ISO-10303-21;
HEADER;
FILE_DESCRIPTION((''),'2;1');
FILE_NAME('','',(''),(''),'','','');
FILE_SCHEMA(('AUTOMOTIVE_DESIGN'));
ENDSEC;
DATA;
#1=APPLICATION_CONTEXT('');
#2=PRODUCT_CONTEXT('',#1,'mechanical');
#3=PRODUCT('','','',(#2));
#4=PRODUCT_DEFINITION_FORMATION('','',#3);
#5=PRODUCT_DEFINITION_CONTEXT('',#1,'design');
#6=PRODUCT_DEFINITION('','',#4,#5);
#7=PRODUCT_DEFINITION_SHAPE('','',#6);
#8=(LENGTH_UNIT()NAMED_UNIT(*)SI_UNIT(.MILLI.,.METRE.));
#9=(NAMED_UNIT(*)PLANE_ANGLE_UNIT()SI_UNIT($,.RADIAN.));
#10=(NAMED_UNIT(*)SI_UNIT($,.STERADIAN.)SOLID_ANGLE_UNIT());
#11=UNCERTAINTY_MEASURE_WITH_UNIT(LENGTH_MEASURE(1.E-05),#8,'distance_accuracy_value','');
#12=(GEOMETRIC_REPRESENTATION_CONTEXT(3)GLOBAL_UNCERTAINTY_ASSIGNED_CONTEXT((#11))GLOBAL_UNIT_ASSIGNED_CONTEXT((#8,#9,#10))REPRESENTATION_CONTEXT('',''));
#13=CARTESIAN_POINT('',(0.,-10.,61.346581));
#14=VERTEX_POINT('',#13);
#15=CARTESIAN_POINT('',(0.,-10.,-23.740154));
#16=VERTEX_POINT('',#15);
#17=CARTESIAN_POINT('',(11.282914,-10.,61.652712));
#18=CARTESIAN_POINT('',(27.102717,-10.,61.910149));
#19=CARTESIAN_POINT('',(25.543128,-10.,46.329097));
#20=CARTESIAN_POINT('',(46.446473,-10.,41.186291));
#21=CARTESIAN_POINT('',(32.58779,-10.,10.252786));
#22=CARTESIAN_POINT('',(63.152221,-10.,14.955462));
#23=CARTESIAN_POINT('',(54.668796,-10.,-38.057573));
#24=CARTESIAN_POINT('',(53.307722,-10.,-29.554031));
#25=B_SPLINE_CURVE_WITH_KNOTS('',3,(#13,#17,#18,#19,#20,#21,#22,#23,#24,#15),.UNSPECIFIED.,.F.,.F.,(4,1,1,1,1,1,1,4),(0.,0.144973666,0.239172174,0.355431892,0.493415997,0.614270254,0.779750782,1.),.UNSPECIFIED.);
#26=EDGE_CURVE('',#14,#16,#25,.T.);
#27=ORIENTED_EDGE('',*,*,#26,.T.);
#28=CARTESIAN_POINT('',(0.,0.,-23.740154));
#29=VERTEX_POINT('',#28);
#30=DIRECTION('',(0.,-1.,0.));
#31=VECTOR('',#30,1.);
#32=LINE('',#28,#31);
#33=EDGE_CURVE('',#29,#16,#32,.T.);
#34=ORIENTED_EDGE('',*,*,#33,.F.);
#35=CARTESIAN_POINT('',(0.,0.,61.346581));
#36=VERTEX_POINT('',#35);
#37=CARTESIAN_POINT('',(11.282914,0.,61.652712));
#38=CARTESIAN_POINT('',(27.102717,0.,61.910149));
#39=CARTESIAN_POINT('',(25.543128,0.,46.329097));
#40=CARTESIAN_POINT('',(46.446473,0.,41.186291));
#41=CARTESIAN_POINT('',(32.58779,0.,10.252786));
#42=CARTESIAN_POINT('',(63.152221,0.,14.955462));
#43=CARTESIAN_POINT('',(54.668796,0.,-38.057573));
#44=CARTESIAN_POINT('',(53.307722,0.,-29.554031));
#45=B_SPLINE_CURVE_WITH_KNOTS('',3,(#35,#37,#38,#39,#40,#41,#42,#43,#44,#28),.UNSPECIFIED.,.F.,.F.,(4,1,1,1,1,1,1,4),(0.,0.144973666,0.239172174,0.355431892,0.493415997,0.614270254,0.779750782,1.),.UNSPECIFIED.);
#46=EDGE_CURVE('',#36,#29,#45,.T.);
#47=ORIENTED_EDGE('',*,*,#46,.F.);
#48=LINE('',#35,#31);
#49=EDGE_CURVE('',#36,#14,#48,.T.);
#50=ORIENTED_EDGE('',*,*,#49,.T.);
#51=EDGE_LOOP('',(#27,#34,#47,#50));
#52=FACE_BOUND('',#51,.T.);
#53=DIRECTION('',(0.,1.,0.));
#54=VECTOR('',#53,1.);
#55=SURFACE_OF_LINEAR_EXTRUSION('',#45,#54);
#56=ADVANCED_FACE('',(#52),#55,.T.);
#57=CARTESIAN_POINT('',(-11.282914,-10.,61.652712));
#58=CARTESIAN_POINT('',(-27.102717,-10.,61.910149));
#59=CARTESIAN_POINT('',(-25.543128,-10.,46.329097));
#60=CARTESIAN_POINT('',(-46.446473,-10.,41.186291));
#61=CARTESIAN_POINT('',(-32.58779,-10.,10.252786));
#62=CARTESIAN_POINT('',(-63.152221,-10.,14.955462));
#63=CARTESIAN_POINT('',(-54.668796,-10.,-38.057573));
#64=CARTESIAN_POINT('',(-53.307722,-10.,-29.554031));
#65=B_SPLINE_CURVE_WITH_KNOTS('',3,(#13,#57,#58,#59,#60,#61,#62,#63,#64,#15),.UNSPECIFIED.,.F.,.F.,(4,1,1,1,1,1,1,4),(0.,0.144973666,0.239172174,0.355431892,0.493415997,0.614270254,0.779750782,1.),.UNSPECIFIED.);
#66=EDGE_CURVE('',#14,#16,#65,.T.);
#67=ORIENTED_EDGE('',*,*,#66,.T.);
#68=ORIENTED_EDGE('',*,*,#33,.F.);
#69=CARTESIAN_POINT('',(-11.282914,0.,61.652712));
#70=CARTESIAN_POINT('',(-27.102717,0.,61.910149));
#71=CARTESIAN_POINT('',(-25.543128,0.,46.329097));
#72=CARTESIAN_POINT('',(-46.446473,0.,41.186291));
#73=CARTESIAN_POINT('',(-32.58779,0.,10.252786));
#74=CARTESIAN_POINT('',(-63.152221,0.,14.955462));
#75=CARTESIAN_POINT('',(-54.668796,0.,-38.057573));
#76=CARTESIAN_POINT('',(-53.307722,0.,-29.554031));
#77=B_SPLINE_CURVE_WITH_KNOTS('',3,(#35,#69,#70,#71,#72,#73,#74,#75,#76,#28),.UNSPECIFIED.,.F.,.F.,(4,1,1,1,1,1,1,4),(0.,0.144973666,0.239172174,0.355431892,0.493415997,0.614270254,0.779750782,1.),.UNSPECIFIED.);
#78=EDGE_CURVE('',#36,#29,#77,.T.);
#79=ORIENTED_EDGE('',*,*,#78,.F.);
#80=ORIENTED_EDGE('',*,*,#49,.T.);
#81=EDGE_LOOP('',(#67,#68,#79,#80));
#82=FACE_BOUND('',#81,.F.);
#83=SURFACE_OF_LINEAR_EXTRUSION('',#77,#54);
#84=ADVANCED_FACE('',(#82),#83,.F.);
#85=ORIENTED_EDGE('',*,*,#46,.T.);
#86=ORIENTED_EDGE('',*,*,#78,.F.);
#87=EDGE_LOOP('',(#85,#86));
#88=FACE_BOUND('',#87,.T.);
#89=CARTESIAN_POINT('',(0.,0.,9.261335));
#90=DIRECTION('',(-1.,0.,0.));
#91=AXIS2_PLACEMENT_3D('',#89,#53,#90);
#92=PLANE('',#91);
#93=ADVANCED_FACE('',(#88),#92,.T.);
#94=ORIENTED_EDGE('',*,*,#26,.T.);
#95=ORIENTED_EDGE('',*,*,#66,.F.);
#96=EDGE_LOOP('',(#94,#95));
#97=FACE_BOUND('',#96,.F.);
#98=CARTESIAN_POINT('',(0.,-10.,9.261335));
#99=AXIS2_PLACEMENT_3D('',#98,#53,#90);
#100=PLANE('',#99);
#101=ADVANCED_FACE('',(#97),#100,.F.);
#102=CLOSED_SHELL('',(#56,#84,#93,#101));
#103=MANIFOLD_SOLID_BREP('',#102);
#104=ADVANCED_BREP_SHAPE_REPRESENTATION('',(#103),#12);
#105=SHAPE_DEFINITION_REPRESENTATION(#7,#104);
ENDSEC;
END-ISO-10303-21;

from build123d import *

# Parameters (mm, degrees)
F1_DEPTH = 10


with BuildPart() as f1:
    # F0 (on Front) → F1 (new body)
    with BuildSketch(Plane.XZ):
        with BuildLine():
            add(Edge.make_bspline(
                [(0, 61.3465810989), (11.2829138614, 61.6527119634), (27.1027173199, 61.9101488028), (25.5431279034, 46.3290972541), (46.4464729243, 41.1862908688), (32.5877901403, 10.2527857382), (63.1522213582, 14.9554616121), (54.6687956278, -38.0575726975), (53.307721605, -29.5540309534), (0, -23.7401537597)],
                knots=[0, 0, 0, 0, 0.144973666, 0.2391721742, 0.3554318922, 0.4934159969, 0.6142702538, 0.7797507819, 1, 1, 1, 1], degree=3))
            add(Edge.make_bspline(
                [(0, 61.3465810989), (-11.2829138614, 61.6527119634), (-27.1027173199, 61.9101488028), (-25.5431279034, 46.3290972541), (-46.4464729243, 41.1862908688), (-32.5877901403, 10.2527857382), (-63.1522213582, 14.9554616121), (-54.6687956278, -38.0575726975), (-53.307721605, -29.5540309534), (0, -23.7401537597)],
                knots=[0, 0, 0, 0, 0.144973666, 0.2391721742, 0.3554318922, 0.4934159969, 0.6142702538, 0.7797507819, 1, 1, 1, 1], degree=3))
        make_face()
    extrude(amount=F1_DEPTH)


solid = f1.part
